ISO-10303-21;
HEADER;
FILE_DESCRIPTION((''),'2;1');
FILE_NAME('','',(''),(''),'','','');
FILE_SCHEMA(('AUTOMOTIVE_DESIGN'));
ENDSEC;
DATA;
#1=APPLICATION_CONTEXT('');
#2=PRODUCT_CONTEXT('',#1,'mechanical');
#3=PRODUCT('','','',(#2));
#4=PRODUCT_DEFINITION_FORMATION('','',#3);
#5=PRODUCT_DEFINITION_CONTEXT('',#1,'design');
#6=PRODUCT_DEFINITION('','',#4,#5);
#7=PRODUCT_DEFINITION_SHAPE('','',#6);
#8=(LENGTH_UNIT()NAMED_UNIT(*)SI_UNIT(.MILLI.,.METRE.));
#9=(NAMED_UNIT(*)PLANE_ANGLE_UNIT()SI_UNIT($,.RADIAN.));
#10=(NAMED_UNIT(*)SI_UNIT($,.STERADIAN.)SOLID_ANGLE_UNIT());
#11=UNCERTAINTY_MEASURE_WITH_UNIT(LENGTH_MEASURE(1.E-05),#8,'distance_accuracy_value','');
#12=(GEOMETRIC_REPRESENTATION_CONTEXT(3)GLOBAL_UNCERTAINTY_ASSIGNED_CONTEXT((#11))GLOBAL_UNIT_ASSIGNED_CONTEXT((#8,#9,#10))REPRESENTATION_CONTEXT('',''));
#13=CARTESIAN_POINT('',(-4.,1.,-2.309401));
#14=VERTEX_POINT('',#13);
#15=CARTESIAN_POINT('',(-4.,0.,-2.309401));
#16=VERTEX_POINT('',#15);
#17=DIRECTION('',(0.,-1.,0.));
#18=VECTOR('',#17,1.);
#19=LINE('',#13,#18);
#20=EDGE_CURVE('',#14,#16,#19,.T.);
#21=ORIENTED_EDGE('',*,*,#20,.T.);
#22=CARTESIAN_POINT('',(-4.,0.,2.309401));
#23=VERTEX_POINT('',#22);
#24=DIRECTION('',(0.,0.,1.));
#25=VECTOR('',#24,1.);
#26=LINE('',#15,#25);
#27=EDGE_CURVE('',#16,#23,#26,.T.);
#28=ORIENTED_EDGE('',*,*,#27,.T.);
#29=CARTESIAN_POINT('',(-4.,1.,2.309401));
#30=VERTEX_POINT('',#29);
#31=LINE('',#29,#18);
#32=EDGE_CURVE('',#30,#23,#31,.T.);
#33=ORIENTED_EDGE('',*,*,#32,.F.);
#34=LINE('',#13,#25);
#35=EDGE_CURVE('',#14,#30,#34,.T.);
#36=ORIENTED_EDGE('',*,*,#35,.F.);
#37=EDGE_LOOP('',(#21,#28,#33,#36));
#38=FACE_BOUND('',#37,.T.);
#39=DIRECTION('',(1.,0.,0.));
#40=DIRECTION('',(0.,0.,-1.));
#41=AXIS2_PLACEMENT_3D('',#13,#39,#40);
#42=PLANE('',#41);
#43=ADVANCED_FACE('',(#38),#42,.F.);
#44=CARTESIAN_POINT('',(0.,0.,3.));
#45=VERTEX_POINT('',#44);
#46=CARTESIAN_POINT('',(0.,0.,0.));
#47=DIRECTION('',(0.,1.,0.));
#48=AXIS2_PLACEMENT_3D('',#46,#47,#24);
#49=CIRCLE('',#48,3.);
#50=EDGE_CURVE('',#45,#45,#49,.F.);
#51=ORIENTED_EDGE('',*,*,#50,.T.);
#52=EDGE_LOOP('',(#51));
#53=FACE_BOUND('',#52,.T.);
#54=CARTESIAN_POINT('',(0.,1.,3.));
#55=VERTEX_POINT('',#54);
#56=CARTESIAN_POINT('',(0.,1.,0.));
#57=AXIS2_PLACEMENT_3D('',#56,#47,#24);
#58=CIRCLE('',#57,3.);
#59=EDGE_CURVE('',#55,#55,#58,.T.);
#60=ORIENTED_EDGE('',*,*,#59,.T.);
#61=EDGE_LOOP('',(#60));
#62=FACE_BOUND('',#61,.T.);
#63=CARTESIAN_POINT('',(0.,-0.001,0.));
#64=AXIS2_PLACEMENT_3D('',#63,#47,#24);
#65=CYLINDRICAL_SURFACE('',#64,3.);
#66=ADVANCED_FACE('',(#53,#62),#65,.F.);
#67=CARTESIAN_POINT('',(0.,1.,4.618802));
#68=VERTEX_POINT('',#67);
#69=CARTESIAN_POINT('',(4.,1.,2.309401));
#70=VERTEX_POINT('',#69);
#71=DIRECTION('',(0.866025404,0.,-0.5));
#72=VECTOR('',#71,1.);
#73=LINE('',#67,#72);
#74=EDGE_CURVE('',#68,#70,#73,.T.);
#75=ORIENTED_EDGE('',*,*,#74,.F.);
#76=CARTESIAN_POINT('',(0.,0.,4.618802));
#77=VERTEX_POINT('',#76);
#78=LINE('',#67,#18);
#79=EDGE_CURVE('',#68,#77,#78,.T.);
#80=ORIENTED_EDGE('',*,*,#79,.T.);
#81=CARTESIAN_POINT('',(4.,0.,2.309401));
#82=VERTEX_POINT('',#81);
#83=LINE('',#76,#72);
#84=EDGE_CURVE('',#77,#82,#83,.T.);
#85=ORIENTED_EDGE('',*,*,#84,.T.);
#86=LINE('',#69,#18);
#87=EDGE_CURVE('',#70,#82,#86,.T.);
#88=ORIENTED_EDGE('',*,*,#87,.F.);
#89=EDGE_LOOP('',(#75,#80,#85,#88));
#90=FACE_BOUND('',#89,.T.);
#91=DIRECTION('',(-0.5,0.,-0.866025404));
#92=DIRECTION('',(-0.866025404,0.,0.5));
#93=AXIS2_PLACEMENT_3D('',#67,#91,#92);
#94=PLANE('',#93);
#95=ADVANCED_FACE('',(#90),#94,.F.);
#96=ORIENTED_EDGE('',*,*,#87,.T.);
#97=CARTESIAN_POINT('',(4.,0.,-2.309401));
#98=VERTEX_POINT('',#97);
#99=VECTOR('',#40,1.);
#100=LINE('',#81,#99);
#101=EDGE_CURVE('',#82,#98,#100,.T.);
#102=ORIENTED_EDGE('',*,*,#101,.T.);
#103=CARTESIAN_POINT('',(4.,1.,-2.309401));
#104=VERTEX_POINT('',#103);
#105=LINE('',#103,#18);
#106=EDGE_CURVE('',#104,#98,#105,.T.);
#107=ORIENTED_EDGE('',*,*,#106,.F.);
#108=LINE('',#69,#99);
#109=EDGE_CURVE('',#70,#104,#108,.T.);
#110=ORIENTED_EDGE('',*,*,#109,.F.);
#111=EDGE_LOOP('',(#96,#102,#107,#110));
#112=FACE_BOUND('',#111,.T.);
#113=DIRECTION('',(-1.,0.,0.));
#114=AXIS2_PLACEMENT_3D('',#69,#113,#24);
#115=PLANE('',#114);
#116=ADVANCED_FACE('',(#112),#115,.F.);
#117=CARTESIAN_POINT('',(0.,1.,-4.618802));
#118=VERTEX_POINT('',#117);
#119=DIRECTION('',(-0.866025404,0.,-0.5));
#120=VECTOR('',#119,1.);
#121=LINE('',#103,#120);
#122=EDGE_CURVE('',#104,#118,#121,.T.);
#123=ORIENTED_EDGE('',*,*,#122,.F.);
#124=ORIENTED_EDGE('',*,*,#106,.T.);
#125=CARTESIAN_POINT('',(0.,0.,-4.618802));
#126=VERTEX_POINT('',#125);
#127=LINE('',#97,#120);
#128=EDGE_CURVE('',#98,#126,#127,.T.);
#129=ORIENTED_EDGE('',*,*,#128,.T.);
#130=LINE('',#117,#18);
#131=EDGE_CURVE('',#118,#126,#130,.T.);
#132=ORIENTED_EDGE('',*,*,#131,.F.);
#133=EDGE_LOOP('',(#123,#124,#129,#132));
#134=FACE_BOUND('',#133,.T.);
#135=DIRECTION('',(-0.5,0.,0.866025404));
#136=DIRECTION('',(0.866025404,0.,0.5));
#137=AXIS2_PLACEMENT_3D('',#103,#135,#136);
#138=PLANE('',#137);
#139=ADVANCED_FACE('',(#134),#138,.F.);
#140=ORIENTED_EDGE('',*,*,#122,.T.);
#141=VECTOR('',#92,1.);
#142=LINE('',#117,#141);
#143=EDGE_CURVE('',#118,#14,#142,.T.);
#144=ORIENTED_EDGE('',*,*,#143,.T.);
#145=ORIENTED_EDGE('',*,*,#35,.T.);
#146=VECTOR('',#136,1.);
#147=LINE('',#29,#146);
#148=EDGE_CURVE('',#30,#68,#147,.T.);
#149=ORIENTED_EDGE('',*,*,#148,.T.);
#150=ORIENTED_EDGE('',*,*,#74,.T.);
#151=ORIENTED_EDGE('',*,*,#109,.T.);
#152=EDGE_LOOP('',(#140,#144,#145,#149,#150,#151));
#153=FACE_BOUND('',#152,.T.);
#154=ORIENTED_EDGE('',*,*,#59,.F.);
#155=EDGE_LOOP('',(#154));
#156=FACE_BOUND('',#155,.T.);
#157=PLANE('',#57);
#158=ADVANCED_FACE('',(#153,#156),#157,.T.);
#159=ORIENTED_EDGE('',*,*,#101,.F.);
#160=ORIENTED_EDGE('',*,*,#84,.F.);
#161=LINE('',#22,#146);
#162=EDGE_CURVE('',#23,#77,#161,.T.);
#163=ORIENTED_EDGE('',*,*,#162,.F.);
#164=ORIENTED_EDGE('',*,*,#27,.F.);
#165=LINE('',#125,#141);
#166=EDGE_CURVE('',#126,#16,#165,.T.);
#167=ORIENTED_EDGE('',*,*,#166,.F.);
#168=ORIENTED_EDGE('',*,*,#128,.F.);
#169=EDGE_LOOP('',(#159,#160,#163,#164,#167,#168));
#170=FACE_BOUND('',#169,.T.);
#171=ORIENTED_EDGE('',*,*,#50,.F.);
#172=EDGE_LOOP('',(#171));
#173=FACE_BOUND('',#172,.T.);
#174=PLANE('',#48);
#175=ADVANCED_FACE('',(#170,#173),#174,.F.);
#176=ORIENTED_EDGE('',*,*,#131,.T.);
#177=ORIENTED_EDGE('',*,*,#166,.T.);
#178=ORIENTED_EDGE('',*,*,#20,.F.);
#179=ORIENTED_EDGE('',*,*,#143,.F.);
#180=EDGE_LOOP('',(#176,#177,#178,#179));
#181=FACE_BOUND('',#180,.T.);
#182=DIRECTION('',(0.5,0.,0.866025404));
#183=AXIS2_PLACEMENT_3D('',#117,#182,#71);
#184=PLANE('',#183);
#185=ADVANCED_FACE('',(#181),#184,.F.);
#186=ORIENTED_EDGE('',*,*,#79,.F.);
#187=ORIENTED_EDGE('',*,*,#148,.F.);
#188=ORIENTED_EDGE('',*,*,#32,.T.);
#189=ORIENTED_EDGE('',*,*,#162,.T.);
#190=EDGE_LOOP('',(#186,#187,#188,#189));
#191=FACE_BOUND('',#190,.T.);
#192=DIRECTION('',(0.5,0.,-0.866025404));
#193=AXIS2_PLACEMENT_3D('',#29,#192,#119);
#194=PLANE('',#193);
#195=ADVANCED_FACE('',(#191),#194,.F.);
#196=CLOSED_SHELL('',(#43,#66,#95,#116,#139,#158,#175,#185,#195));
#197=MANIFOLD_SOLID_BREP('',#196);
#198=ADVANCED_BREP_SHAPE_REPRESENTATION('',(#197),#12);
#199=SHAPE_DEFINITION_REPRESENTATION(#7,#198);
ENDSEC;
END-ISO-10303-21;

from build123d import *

# Parameters (mm, degrees)
BOSS_EXTRUDE2_DEPTH = 1
CUT_EXTRUDE2_REACH  = 8.191
SKETCH4_R           = 3


with BuildPart() as part:
    # Sketch2 → Boss-Extrude2 (new body)
    with BuildSketch(Plane(origin=(0, 0, 0), x_dir=(1, 0, 0), z_dir=(0, 1, 0))):
        Polygon((0, 4.618802154), (-4, 2.309401077), (-4, -2.309401077), (0, -4.618802154), (4, -2.309401077), (4, 2.309401077), align=None)
    extrude(amount=BOSS_EXTRUDE2_DEPTH)

    # Sketch4 → Cut-Extrude2 (cut, up to next)
    with BuildSketch(Plane(origin=(0, 1, 0), x_dir=(1, 0, 0), z_dir=(0, 1, 0)), mode=Mode.PRIVATE) as cut_extrude2_sk1:
        with Locations(Location((0, 0, 0), (0, 0, 270))):
            Circle(SKETCH4_R)
    cut_extrude2_tool1 = extrude(cut_extrude2_sk1.sketch, amount=-CUT_EXTRUDE2_REACH, mode=Mode.PRIVATE) & part.part
    add(cut_extrude2_tool1.solids().sort_by_distance((0, 1, 0))[0], mode=Mode.SUBTRACT)


solid = part.part
